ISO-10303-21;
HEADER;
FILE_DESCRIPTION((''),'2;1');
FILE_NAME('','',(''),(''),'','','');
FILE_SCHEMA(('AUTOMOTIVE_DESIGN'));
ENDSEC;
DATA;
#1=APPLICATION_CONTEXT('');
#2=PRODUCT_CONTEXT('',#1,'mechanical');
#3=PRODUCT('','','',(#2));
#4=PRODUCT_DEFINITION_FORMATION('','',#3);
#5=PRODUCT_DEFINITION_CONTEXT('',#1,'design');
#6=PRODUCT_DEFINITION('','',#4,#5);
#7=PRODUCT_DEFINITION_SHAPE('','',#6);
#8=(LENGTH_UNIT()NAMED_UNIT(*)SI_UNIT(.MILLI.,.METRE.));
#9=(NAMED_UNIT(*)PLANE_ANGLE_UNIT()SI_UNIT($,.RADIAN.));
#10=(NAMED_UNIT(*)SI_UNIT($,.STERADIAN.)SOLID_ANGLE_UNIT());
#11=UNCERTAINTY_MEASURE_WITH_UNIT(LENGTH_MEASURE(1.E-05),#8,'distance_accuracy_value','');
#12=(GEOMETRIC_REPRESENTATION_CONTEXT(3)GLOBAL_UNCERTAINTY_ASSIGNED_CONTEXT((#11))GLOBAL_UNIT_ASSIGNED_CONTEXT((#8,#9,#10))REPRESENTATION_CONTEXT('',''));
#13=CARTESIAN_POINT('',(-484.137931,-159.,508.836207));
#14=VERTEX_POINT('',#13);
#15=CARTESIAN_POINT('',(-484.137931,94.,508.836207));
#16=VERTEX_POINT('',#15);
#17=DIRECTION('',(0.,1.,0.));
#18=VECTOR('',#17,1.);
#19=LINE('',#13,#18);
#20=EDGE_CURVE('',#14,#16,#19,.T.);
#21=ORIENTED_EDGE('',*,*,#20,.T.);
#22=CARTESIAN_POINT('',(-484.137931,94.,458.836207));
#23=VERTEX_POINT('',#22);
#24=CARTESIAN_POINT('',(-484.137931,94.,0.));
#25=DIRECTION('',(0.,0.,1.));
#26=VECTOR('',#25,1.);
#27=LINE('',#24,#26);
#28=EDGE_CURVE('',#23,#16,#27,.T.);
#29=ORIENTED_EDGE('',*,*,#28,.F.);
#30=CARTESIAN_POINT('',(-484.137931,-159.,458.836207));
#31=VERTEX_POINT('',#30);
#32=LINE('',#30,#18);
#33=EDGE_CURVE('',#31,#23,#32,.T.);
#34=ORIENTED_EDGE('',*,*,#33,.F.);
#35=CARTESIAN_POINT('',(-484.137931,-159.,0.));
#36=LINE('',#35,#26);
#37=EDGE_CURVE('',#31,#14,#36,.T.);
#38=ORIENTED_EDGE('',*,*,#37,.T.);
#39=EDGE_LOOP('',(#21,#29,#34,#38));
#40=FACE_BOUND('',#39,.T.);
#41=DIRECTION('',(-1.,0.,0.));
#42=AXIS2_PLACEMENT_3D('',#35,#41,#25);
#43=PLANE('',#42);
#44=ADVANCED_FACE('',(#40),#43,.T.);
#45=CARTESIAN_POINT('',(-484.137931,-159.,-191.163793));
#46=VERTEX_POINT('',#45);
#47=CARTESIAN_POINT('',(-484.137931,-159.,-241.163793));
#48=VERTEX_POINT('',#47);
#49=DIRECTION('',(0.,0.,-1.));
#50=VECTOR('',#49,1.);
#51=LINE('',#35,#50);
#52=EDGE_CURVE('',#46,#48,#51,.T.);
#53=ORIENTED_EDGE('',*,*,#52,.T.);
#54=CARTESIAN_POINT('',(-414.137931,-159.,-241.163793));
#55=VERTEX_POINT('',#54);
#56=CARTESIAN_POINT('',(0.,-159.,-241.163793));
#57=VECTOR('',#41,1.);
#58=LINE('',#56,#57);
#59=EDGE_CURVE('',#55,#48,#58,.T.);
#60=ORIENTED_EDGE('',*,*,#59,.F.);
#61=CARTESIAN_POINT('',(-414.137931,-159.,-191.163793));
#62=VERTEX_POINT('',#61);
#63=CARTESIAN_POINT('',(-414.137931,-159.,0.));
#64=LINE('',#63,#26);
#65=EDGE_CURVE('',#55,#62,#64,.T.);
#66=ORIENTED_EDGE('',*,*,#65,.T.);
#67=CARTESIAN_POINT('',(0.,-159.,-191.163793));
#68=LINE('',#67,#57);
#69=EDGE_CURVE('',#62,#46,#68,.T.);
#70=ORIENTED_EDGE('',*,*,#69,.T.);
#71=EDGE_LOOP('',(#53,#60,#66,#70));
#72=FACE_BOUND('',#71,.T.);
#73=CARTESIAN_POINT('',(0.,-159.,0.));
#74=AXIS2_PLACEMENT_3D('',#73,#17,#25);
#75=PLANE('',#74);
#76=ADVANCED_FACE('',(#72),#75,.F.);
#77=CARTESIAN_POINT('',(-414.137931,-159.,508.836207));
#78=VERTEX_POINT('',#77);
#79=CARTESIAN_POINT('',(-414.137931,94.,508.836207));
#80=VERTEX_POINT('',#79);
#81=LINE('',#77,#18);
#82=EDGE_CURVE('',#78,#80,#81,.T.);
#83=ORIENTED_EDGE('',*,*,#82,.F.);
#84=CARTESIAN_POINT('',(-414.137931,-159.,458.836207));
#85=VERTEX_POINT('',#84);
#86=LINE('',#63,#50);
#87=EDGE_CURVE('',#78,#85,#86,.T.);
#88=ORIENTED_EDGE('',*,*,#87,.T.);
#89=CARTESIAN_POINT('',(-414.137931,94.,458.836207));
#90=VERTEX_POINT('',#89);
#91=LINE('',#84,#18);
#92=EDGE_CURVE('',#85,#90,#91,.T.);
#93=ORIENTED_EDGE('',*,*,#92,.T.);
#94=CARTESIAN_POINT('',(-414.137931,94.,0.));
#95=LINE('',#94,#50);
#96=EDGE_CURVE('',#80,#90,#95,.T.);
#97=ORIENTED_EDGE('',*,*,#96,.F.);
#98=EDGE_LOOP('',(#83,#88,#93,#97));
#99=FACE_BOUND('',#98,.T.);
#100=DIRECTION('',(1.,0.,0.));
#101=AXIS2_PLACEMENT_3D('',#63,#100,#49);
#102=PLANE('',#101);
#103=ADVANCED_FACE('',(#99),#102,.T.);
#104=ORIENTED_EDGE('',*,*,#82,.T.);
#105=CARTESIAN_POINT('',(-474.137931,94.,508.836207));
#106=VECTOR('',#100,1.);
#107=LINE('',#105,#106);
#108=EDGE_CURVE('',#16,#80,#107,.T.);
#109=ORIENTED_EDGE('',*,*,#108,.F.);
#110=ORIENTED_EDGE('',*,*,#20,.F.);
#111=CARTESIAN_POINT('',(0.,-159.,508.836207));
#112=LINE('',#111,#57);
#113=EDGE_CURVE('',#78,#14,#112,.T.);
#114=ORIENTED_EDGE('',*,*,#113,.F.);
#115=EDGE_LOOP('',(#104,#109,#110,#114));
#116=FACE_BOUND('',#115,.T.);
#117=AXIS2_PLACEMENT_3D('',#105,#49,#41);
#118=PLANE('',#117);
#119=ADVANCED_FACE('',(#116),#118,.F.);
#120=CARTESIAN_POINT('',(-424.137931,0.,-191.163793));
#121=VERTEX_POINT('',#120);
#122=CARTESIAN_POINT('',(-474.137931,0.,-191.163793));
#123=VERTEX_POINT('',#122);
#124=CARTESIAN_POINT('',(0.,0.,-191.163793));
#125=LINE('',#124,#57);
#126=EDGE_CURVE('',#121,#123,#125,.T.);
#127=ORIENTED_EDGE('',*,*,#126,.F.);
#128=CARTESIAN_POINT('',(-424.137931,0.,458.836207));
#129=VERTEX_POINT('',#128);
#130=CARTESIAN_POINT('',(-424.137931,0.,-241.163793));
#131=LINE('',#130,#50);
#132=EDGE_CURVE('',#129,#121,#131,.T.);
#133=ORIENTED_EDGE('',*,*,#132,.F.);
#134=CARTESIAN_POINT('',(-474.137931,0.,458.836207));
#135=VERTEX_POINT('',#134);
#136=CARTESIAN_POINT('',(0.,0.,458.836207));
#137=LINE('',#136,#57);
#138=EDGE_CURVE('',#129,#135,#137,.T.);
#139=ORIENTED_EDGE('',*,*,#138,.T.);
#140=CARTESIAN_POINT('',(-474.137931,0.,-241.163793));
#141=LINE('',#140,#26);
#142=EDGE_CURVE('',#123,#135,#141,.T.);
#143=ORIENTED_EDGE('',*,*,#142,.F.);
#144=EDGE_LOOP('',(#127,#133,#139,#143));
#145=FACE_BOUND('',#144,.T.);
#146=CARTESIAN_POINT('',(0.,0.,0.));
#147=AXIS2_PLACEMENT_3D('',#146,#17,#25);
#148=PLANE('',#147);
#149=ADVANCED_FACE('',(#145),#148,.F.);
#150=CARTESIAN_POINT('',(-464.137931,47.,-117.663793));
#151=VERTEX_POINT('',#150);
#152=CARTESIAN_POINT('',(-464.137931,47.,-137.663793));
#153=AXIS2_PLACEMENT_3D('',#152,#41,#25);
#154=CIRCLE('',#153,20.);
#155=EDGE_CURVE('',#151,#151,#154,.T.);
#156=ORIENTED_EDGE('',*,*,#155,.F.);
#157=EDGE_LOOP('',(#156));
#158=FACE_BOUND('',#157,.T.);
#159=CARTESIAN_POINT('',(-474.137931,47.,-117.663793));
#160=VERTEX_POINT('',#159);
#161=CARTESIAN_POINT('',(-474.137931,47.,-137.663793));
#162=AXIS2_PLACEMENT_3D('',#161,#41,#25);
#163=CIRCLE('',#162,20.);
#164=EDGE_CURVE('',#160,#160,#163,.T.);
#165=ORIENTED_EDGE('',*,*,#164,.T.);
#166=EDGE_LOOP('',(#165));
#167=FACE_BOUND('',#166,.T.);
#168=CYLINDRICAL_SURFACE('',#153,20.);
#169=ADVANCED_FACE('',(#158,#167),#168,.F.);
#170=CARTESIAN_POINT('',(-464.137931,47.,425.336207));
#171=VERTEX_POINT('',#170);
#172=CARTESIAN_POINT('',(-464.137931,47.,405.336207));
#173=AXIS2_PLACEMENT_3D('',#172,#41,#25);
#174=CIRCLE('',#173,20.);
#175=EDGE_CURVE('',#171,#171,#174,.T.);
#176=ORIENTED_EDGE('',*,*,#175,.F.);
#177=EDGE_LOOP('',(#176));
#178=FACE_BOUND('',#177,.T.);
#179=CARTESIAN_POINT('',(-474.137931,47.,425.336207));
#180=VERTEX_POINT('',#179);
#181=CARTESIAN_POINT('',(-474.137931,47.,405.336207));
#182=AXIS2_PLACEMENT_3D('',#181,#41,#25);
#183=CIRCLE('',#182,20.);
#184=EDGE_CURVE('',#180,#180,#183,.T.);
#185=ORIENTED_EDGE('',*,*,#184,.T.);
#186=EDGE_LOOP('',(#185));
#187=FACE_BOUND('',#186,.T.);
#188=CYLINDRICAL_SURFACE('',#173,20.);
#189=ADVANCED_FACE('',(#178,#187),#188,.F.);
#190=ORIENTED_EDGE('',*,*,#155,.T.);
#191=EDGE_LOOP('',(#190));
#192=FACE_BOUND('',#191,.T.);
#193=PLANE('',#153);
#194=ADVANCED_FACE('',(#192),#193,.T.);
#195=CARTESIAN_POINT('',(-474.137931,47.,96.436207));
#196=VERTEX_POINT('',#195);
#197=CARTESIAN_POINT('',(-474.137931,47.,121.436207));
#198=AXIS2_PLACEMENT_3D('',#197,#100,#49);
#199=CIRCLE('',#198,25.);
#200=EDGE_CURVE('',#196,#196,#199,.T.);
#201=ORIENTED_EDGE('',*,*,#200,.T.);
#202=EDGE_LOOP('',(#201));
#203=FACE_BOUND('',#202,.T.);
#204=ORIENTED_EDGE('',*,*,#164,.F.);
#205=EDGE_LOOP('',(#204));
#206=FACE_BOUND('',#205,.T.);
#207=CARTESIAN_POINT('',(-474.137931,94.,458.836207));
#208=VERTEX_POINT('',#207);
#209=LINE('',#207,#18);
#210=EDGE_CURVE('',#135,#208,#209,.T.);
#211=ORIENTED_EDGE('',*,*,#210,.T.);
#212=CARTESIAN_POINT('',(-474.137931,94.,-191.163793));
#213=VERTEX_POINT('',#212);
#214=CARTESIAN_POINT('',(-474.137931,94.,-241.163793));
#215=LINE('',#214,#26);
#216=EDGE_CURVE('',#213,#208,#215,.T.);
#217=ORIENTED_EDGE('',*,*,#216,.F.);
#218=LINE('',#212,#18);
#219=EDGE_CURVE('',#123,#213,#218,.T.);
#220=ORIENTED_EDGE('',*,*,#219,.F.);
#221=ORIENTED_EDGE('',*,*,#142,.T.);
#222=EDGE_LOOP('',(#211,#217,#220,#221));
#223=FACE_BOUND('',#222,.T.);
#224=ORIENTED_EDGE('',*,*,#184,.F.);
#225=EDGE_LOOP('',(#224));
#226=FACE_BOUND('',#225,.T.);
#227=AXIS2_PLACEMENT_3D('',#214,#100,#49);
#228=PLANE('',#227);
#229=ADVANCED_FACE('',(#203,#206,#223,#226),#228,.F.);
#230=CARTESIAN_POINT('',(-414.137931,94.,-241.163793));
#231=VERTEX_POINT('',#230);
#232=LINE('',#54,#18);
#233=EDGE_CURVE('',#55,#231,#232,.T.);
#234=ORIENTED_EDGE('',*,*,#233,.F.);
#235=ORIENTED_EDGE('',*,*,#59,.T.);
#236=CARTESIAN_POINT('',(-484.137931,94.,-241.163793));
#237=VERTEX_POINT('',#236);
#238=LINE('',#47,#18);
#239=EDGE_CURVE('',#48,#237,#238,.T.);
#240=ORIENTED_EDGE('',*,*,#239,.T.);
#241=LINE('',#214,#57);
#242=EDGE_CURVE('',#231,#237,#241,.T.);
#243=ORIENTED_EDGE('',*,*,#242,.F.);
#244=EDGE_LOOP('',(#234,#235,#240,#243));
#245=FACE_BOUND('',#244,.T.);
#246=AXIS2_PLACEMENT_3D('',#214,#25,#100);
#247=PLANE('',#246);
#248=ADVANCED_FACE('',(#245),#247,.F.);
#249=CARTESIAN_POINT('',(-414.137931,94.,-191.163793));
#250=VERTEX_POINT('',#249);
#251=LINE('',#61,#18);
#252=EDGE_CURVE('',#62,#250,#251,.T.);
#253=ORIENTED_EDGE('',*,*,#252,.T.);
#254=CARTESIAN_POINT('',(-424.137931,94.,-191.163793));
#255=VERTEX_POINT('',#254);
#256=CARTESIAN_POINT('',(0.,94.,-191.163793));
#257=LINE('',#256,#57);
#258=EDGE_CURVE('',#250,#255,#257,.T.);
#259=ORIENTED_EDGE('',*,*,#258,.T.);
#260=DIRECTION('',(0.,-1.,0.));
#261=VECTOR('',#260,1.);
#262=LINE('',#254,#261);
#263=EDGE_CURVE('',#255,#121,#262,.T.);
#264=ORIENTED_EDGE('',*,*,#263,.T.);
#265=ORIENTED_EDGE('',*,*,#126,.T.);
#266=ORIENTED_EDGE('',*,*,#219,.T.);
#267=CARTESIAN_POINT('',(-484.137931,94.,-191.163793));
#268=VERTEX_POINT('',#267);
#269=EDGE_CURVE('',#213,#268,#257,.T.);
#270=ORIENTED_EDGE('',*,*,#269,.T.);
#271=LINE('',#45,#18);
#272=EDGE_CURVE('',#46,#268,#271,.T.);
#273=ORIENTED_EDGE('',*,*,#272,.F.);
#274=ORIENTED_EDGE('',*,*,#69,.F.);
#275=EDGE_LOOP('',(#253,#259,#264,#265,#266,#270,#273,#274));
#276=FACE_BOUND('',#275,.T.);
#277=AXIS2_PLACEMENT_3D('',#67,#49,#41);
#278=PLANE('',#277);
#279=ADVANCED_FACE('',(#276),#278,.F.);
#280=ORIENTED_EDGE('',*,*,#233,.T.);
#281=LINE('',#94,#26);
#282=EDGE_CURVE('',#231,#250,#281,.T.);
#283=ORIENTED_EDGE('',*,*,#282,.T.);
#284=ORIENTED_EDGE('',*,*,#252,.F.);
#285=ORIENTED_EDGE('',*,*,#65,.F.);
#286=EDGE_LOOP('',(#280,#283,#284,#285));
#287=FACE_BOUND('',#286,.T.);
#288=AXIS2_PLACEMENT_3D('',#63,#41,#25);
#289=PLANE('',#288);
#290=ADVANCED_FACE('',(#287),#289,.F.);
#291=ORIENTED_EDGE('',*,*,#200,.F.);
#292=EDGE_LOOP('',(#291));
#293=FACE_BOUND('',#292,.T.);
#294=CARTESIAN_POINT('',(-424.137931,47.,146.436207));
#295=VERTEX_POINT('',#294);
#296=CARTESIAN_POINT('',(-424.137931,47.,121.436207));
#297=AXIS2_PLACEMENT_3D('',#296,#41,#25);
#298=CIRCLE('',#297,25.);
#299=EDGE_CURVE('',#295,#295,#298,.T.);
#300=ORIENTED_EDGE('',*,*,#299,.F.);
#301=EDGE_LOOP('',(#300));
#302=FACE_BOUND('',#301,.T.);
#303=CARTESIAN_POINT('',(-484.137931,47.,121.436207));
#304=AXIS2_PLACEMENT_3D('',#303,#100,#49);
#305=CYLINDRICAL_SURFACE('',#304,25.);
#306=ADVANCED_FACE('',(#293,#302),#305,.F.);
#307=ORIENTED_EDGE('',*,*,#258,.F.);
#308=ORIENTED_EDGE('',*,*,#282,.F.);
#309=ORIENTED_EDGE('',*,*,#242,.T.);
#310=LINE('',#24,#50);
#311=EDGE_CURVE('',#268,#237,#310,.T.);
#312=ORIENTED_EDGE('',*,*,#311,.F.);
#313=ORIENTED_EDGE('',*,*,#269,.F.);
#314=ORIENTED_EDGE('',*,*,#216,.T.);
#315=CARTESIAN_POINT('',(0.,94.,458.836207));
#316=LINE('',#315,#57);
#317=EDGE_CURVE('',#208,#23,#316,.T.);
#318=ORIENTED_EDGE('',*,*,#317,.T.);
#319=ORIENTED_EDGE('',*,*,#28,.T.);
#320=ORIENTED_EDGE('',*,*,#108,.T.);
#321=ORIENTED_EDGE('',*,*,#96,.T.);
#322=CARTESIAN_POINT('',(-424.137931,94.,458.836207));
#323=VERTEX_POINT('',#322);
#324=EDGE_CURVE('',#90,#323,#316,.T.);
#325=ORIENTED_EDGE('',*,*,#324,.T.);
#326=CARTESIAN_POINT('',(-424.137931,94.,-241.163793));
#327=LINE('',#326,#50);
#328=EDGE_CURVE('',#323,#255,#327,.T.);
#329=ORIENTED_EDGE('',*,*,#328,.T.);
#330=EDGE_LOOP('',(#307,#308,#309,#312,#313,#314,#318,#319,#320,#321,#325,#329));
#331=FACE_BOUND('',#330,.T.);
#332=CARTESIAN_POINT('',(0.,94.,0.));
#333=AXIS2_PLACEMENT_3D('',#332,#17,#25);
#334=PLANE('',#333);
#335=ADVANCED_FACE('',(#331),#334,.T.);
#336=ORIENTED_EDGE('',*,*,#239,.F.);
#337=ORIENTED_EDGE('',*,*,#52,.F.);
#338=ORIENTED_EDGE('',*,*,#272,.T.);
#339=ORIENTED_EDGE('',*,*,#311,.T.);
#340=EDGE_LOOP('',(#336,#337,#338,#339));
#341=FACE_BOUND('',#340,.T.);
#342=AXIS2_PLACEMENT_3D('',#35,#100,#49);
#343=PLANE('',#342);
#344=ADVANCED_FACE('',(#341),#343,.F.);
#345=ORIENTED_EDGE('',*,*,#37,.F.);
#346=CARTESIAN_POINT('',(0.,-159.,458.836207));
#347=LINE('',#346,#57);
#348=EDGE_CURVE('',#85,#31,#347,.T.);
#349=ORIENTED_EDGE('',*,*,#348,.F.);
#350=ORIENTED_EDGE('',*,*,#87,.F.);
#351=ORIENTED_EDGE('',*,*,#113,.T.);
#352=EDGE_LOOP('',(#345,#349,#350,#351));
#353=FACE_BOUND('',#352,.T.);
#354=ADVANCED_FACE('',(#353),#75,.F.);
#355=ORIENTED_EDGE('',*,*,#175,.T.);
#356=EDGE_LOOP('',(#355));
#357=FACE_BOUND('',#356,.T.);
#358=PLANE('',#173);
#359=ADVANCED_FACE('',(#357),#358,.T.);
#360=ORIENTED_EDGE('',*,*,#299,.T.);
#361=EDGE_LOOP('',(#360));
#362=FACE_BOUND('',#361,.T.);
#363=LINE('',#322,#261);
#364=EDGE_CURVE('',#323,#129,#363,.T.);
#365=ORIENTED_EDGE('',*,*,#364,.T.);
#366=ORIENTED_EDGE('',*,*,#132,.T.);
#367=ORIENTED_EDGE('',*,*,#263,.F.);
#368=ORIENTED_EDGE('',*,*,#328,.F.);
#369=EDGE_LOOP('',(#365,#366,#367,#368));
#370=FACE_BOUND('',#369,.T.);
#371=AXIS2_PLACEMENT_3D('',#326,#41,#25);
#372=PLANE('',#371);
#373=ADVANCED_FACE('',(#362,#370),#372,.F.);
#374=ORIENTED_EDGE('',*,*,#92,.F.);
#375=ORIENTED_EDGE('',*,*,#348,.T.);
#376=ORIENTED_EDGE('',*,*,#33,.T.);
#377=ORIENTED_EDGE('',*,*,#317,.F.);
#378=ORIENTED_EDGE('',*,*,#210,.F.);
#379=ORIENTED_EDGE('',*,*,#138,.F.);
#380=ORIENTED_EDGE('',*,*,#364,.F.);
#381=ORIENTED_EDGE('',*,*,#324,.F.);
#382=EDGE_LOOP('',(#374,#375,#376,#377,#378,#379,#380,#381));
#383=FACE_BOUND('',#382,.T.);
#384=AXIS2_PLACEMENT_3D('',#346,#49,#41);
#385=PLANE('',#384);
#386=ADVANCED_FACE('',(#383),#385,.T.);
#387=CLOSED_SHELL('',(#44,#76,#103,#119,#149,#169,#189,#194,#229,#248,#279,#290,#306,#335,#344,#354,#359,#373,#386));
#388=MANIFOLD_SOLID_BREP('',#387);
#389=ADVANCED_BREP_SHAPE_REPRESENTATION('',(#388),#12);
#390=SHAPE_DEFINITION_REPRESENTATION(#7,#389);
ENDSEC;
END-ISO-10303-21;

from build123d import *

# Parameters (mm, degrees)
SKETCH1_W               = 50
SKETCH1_H               = 750
BOSS_EXTRUDE1_DEPTH     = 94
SKETCH2_W               = 70
SKETCH2_H               = 50
BOSS_EXTRUDE2_DEPTH     = 253
SKETCH3_R               = 20
CUT_EXTRUDE1_DEPTH      = 10
CUT_EXTRUDE2_DEPTH      = 537.465549172
CUT_EXTRUDE2_DEPTH_BACK = 537.465549172
SKETCH4_R               = 25


with BuildPart() as part:
    # Sketch1 → Boss-Extrude1 (new body)
    with BuildSketch(Plane(origin=(0, 0, 0), x_dir=(1, 0, 0), z_dir=(0, 1, 0))):
        with Locations((-449.137931034, -133.836206897)):
            Rectangle(SKETCH1_W, SKETCH1_H)
    extrude(amount=BOSS_EXTRUDE1_DEPTH)

    # Sketch2 → Boss-Extrude2 (add)
    with BuildSketch(Plane(origin=(0, 94, 0), x_dir=(1, 0, 0), z_dir=(0, 1, 0))):
        with Locations((-449.137931034, 216.163793103)):
            Rectangle(SKETCH2_W, SKETCH2_H)
        with Locations((-449.137931034, -483.836206897)):
            Rectangle(SKETCH2_W, SKETCH2_H)
    extrude(amount=-BOSS_EXTRUDE2_DEPTH)

    # Sketch3 → Cut-Extrude1 (cut)
    with BuildSketch(Plane.ZY.offset(474.137931034)):
        with Locations((-137.663793103, 47)):
            Circle(SKETCH3_R)
        with Locations((405.336206897, 47)):
            Circle(SKETCH3_R)
    extrude(amount=-CUT_EXTRUDE1_DEPTH, mode=Mode.SUBTRACT)

    # Sketch4 → Cut-Extrude2 (cut, two sides: drawn at the far end of the back side and taken through both)
    with BuildSketch(Plane(origin=(-424.137931034, 0, 0), x_dir=(0, 0, -1), z_dir=(1, 0, 0)).offset(-CUT_EXTRUDE2_DEPTH_BACK)):
        with Locations((-121.436206897, 47)):
            Circle(SKETCH4_R)
    extrude(amount=CUT_EXTRUDE2_DEPTH + CUT_EXTRUDE2_DEPTH_BACK, mode=Mode.SUBTRACT)


solid = part.part
